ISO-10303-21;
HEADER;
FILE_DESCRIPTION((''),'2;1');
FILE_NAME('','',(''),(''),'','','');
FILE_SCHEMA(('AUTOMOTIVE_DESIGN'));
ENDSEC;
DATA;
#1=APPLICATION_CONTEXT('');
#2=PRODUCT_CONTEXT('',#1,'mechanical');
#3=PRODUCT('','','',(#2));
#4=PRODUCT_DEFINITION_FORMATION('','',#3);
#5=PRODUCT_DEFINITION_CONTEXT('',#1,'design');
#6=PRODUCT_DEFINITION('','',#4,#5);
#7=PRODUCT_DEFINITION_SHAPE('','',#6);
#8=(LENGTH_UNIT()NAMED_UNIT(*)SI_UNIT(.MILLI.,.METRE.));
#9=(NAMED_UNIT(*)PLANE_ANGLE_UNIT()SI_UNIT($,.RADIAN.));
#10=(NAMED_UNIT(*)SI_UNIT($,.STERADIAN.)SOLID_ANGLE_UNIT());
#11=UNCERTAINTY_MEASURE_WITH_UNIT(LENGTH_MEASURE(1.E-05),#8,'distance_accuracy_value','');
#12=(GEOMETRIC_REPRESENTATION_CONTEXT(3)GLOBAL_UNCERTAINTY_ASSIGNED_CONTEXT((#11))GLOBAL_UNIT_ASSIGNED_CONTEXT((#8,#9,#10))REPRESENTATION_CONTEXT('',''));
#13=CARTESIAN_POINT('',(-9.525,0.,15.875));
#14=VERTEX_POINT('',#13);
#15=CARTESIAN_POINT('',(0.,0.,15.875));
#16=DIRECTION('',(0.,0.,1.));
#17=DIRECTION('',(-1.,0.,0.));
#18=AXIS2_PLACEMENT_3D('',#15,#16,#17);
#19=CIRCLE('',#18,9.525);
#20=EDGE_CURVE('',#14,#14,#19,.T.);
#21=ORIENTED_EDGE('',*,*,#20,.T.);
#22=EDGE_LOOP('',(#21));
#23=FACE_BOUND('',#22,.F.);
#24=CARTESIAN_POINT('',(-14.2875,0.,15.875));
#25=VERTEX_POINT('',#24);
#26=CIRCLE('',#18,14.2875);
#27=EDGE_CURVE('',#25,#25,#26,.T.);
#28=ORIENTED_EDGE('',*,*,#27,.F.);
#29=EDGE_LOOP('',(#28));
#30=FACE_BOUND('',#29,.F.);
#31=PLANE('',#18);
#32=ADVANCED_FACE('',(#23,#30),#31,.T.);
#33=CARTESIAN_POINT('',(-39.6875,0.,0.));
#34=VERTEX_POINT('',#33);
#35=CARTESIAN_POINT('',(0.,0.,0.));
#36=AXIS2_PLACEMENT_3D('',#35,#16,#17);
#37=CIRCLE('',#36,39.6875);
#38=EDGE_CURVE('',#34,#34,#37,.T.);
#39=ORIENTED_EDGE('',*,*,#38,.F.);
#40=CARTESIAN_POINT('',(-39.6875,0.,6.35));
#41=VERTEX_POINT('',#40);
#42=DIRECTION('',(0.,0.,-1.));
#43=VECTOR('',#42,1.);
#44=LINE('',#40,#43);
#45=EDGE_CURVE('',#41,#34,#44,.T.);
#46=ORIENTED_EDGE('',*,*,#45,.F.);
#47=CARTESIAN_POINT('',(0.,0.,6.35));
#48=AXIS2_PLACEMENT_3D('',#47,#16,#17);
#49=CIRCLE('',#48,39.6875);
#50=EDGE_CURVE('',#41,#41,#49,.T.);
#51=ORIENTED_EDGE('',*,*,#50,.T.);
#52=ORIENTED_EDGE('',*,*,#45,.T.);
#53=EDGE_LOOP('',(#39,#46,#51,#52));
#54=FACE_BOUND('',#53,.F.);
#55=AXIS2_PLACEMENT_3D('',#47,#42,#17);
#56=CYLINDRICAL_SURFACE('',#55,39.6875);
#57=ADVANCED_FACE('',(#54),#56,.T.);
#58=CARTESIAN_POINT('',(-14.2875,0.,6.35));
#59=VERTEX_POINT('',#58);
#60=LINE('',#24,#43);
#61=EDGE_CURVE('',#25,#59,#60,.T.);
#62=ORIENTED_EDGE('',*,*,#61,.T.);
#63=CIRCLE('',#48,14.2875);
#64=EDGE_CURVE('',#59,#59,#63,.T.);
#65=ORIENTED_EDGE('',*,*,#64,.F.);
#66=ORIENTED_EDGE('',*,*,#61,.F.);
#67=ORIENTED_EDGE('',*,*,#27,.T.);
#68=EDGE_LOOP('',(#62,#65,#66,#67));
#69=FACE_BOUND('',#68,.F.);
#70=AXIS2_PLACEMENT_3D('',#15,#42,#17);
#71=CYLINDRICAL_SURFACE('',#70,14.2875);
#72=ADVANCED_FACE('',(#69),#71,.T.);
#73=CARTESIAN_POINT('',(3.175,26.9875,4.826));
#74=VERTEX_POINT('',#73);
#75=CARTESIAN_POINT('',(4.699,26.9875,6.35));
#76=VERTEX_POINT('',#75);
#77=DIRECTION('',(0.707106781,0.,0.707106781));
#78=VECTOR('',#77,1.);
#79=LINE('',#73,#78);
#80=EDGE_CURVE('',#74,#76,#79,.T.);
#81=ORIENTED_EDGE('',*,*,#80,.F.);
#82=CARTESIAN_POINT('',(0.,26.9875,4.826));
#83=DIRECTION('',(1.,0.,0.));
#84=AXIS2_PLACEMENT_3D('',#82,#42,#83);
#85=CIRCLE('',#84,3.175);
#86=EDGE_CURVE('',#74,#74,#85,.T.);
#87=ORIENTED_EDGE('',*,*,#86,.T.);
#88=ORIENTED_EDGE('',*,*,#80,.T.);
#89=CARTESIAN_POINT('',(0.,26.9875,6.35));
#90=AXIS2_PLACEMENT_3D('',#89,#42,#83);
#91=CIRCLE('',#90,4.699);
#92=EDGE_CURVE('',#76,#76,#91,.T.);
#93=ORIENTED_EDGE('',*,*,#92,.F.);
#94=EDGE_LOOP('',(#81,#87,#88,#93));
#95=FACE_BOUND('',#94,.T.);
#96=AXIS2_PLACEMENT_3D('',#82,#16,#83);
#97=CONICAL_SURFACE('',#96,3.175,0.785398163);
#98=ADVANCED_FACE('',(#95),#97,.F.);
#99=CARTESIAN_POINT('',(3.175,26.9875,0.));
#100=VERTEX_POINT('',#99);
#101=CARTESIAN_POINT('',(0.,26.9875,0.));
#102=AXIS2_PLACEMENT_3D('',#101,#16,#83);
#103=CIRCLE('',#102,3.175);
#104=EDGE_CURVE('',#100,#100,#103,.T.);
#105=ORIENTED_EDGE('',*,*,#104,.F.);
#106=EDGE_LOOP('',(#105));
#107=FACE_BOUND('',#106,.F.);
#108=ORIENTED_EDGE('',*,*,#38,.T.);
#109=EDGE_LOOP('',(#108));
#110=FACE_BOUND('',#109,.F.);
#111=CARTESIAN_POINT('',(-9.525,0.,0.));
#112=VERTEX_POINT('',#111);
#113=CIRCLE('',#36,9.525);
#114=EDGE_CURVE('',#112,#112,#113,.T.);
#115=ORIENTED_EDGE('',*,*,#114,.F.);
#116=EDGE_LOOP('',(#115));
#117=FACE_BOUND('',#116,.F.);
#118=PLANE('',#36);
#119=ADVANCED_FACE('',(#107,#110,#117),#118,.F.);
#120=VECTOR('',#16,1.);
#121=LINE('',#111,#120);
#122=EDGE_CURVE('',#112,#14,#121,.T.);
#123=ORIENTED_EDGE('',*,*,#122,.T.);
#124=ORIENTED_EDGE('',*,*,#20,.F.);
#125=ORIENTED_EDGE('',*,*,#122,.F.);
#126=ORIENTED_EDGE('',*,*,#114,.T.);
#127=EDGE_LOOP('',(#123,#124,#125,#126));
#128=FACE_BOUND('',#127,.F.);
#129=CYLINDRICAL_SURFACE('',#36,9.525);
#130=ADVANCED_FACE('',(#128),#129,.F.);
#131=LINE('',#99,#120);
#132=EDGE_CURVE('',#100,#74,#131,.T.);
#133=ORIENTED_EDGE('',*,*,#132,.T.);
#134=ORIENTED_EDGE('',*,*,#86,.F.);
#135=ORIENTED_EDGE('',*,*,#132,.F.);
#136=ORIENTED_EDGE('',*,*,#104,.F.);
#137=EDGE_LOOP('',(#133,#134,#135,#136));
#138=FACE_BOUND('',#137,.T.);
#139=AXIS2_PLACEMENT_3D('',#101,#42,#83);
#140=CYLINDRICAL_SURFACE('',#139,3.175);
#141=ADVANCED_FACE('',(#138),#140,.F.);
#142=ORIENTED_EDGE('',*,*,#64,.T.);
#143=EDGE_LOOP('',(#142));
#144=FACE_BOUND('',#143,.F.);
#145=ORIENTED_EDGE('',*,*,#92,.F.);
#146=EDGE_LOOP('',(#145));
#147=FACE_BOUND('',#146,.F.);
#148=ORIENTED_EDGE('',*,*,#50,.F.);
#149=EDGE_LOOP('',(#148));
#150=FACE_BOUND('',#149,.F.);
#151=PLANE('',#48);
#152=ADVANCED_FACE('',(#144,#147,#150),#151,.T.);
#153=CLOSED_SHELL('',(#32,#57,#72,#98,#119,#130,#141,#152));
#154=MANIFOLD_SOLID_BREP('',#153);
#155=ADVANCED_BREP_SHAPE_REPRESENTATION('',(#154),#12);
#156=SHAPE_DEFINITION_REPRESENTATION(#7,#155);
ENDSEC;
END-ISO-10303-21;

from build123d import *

# Parameters (mm, degrees)
F2_R     = 3.175
F3_DEPTH = 15.876
F4_SIZE  = 1.524


with BuildPart() as f1:
    # F0 (on Front) → F1 (revolve)
    with BuildSketch(Plane.XZ):
        Polygon((-39.6875, 0), (-9.525, 0), (-9.525, 15.875), (-14.2875, 15.875), (-14.2875, 6.35), (-39.6875, 6.35), align=None)
    revolve(axis=Axis((0, 0, 22.6741275327), (0, 0, 1)))

    # F2 (on Top) → F3 (cut, through all)
    with BuildSketch(Plane.XY):
        with Locations((0, 26.9875)):
            Circle(F2_R)
    extrude(amount=F3_DEPTH, mode=Mode.SUBTRACT)

    # F4
    f4_edges = [f1.edges().sort_by_distance(p)[0] for p in [
        (-3.175, 26.9875, 6.35),
    ]]
    chamfer(f4_edges, length=F4_SIZE)


solid = f1.part
